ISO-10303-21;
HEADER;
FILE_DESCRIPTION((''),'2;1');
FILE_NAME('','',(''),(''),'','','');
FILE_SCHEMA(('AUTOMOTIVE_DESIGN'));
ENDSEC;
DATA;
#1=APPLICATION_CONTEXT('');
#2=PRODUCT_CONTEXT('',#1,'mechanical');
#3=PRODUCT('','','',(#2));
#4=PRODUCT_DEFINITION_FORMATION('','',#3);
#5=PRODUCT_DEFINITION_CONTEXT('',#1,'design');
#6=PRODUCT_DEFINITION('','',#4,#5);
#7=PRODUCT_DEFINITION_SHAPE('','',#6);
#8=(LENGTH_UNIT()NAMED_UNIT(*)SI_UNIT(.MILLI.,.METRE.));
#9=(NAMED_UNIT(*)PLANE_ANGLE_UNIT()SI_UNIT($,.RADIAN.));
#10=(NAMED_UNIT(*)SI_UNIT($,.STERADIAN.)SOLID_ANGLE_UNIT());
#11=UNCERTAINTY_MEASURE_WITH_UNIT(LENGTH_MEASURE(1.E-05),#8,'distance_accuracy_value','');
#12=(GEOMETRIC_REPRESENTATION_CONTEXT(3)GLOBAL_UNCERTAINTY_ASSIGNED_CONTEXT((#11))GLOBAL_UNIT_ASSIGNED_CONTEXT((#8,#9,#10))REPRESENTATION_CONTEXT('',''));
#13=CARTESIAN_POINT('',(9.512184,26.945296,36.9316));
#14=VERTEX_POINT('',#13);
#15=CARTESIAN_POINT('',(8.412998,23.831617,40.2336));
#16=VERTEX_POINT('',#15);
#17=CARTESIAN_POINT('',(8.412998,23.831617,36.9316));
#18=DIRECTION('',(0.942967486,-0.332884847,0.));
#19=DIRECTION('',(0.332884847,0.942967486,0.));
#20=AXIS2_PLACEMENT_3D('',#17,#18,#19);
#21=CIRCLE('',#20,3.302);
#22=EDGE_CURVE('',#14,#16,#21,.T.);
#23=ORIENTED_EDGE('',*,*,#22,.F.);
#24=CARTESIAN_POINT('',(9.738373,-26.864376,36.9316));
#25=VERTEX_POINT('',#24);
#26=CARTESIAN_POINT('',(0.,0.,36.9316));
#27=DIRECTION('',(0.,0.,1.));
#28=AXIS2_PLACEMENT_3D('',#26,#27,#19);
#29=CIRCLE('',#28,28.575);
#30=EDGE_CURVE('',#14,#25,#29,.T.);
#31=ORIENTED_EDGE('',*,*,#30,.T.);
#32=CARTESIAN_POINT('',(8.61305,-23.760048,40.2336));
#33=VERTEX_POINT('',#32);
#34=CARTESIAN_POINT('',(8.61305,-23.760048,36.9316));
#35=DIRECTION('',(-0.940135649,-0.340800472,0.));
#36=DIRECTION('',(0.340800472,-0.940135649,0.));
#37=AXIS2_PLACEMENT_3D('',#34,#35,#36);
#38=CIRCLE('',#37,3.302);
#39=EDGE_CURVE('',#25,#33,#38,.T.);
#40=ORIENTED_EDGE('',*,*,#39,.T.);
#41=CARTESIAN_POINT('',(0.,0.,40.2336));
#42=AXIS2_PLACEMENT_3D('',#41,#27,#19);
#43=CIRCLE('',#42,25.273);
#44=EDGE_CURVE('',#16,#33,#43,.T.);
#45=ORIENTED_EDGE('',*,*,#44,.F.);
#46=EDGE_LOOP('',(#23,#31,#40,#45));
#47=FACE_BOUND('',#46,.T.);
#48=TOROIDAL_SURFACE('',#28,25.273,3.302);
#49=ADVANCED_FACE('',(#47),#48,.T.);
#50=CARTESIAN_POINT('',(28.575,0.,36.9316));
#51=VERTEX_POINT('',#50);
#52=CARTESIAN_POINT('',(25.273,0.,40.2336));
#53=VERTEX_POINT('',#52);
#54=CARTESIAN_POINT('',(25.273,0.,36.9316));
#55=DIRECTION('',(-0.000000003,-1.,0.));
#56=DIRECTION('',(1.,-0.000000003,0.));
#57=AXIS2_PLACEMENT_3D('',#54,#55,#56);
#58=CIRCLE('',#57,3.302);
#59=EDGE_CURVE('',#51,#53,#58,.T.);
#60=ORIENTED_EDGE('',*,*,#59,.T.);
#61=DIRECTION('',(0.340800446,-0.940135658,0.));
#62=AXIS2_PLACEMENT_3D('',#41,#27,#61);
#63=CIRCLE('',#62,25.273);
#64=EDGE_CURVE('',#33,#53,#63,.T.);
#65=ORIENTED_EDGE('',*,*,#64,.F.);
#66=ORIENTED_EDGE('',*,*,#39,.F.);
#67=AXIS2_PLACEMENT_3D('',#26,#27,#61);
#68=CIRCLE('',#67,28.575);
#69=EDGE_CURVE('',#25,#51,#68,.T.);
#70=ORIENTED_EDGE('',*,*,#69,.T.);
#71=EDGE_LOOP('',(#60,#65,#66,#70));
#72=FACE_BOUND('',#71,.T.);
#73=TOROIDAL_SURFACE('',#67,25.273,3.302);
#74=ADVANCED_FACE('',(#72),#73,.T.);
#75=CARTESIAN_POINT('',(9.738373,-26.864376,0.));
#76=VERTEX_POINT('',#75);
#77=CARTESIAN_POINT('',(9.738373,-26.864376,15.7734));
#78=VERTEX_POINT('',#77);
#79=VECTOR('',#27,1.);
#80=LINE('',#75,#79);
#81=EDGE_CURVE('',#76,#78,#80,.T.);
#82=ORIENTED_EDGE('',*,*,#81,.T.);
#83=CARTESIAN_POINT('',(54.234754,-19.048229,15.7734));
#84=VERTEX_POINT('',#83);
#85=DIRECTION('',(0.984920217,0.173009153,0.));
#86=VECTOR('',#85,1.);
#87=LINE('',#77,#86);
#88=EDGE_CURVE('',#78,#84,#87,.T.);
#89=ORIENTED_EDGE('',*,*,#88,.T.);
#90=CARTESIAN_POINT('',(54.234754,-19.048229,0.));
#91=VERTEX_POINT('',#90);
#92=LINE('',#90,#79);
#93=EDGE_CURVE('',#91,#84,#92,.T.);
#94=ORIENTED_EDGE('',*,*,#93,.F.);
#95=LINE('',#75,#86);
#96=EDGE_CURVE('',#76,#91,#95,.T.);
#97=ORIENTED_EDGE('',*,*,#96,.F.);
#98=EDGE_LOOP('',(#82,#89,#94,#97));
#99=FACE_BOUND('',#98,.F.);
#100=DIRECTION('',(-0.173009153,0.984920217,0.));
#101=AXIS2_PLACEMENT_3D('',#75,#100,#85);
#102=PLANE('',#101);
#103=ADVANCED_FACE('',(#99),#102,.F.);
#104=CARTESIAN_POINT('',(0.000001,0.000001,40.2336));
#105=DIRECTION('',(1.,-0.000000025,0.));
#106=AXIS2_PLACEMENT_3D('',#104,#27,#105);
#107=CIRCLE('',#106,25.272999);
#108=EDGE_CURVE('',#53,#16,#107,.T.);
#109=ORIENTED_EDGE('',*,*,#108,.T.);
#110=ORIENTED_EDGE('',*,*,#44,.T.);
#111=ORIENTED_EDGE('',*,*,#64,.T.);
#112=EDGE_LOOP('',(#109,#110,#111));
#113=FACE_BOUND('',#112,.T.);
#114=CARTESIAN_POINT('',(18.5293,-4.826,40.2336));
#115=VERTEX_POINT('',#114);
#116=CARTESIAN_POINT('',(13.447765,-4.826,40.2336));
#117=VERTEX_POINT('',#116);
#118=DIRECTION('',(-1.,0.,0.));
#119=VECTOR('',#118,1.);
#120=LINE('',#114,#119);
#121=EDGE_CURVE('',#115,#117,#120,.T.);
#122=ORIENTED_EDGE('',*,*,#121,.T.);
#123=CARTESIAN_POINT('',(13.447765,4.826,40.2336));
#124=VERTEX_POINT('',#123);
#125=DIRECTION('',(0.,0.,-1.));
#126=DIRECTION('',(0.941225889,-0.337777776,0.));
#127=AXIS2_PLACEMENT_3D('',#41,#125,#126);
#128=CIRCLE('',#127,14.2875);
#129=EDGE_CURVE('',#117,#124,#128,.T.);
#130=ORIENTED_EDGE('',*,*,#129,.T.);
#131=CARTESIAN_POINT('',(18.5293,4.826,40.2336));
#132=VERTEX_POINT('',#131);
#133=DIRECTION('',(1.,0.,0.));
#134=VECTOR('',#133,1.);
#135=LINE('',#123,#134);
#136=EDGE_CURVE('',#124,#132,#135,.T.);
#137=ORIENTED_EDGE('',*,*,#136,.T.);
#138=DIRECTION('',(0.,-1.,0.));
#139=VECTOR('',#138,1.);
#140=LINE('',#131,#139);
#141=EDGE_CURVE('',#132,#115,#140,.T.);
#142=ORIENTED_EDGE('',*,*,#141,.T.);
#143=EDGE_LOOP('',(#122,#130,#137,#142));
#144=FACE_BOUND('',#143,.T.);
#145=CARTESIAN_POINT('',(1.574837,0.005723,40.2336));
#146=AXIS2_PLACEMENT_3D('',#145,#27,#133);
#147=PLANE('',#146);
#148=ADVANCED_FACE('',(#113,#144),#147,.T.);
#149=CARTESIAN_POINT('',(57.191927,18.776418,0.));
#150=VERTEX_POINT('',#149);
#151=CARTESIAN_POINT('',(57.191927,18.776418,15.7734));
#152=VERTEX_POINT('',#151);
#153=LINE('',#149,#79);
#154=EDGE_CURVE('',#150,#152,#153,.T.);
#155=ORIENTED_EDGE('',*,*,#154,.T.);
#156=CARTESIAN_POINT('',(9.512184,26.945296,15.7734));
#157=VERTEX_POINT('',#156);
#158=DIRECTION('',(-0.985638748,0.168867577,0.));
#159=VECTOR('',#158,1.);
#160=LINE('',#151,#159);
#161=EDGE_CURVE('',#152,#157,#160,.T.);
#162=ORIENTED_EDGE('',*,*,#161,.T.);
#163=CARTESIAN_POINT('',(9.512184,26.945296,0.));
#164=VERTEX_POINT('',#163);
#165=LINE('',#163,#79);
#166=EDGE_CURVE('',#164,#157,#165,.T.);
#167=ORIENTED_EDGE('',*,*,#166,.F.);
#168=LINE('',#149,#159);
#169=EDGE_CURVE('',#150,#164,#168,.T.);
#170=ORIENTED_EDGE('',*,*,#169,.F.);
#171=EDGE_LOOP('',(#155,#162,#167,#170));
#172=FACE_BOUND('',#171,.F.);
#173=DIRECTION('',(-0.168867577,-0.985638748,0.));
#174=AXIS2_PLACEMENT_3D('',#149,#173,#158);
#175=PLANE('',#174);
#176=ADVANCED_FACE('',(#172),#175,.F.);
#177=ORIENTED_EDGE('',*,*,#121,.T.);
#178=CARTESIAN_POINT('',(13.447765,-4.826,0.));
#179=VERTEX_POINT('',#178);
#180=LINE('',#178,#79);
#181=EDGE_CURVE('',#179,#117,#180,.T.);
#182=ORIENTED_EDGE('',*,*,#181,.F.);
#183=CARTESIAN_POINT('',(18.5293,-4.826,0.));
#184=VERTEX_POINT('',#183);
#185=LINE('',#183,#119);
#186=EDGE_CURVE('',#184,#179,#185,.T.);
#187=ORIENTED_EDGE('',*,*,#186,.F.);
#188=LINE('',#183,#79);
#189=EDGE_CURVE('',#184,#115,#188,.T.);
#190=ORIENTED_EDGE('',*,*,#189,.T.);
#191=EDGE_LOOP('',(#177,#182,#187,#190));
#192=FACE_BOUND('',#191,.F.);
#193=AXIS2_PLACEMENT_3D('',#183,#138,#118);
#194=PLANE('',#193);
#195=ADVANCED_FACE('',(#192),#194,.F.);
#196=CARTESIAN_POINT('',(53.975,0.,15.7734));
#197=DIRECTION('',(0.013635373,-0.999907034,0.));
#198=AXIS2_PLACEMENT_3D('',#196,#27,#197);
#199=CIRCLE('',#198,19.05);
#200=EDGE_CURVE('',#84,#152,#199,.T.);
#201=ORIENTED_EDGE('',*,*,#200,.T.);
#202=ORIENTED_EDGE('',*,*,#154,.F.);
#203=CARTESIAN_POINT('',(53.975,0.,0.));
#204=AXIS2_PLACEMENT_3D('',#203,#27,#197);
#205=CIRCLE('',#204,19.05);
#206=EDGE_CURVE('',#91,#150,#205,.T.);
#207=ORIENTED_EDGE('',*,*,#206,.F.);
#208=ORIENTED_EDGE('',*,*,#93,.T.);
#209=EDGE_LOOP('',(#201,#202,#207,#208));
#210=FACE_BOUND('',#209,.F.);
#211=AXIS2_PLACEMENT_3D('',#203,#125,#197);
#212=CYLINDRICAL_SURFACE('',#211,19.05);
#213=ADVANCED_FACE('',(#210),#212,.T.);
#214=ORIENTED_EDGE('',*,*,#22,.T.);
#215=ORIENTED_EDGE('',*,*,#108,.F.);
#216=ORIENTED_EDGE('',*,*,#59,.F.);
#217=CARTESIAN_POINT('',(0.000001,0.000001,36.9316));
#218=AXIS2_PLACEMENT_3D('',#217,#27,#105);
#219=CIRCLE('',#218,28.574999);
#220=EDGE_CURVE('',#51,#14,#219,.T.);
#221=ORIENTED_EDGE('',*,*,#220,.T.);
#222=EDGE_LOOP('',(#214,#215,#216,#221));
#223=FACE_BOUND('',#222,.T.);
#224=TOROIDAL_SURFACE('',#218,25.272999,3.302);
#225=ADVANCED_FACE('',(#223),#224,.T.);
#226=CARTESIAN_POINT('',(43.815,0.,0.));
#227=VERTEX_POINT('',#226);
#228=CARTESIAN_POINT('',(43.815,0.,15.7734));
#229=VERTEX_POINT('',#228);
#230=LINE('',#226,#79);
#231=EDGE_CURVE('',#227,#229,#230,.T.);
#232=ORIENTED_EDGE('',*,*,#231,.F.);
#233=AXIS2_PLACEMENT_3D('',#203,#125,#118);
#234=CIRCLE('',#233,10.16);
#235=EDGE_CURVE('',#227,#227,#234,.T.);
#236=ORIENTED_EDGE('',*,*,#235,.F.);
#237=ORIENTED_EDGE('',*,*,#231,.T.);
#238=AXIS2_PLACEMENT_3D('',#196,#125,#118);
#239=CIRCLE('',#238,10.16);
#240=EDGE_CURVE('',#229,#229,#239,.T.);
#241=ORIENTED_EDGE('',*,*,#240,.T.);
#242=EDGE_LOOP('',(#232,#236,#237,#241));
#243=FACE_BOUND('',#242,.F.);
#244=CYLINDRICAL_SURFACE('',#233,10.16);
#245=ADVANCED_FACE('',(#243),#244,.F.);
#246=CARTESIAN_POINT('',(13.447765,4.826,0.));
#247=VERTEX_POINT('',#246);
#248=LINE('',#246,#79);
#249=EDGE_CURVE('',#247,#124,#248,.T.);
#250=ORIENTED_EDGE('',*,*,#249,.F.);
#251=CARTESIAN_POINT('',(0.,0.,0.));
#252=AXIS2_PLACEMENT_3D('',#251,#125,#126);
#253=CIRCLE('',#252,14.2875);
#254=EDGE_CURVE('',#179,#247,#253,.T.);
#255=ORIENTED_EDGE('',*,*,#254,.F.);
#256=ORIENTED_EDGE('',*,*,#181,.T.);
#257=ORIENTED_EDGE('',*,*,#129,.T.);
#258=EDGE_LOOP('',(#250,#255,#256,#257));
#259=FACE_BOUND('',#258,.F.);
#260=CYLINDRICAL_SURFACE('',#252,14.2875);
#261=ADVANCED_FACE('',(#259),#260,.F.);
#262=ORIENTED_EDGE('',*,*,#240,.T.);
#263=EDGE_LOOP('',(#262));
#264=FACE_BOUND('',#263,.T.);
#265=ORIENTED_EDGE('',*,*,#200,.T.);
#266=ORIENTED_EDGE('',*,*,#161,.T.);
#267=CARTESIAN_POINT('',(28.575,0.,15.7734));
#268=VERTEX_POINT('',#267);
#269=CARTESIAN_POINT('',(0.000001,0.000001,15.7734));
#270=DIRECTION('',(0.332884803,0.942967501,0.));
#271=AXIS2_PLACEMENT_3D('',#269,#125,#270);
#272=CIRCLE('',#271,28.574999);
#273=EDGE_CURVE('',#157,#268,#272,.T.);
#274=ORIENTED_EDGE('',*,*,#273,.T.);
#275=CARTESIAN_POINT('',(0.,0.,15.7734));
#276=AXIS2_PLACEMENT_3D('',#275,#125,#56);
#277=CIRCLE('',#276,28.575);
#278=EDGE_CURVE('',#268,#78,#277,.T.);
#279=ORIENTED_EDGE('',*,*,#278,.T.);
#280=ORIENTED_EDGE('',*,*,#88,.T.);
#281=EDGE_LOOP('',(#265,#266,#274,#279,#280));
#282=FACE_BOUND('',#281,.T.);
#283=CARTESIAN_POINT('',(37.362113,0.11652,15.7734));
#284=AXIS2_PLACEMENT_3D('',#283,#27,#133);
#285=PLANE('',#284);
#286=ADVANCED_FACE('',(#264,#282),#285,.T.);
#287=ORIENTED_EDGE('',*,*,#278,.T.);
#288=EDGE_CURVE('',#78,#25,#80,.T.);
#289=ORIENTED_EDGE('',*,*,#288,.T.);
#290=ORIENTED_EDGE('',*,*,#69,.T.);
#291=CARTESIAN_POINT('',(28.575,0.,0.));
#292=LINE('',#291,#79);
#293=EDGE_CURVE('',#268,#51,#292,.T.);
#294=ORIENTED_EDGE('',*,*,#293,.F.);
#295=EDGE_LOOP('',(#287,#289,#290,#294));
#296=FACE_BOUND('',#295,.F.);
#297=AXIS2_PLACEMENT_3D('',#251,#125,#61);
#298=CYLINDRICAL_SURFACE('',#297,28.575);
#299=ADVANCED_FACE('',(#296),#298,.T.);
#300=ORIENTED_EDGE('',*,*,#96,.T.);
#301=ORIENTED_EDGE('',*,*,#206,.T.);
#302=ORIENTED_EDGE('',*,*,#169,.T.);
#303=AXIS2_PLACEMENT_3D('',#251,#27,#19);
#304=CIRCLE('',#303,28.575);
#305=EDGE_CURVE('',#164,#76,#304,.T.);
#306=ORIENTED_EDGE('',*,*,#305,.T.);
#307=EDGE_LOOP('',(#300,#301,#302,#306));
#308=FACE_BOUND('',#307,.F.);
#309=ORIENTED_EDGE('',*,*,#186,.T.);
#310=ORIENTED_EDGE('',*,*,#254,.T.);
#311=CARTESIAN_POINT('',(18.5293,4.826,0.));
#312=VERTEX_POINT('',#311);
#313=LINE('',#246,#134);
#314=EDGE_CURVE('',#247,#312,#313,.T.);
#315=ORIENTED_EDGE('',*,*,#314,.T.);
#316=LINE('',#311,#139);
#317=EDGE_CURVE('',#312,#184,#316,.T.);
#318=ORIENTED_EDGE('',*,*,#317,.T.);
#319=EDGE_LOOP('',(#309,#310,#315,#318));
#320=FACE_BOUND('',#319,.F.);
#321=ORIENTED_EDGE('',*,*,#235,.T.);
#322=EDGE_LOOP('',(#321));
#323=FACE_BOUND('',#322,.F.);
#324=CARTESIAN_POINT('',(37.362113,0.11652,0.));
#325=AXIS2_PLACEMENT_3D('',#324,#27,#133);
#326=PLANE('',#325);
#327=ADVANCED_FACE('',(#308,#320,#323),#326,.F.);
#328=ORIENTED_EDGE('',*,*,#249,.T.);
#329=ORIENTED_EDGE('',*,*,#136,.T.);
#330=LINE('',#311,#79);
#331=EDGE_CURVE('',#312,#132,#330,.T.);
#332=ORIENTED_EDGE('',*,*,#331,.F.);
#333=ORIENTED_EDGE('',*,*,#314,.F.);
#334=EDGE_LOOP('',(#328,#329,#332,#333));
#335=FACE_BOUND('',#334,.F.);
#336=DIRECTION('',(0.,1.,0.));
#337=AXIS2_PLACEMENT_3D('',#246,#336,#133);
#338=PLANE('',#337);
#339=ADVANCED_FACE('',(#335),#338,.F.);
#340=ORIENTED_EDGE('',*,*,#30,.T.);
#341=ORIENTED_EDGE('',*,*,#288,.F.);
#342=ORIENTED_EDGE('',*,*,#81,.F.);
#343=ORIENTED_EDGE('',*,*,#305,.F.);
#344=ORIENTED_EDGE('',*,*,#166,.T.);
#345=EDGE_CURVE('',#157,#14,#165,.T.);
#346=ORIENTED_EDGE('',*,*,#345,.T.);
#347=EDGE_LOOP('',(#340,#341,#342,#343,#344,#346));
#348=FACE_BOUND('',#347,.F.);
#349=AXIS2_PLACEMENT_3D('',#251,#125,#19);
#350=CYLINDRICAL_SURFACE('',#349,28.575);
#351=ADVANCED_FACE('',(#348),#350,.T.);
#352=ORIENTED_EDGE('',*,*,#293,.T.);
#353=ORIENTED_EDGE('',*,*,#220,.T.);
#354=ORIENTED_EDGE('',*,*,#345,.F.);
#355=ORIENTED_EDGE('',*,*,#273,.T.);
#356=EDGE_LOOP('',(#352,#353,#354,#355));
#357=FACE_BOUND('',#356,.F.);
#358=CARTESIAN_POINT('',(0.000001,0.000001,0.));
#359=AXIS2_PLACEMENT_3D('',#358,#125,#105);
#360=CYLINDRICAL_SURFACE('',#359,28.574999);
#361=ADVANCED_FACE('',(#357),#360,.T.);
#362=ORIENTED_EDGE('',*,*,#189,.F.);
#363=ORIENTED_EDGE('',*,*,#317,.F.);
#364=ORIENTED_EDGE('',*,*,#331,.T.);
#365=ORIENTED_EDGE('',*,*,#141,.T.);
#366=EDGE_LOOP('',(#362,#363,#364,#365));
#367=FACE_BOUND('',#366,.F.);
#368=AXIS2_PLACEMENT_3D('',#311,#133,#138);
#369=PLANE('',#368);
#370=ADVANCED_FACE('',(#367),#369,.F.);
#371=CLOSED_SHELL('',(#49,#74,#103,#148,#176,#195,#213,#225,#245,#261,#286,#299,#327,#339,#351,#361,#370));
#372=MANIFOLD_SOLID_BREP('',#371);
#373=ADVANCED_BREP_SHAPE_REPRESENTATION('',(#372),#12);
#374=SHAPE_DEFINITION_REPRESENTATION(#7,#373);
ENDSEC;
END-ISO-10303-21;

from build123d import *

# Parameters (mm, degrees)
F1_DEPTH = 40.2336
F2_DEPTH = 15.7734
F3_R     = 3.302


with BuildPart() as f1:
    # F0 (on Top) → F1 (new body)
    with BuildSketch(Plane.XY):
        with BuildLine():
            ThreePointArc((9.738373, -26.864376), (23.39663, -16.405131), (28.575, 0))
            ThreePointArc((28.575, 0), (23.327466, 16.503332), (9.512184, 26.945296))
            ThreePointArc((9.512184, 26.945296), (-28.574748, -0.120114), (9.738373, -26.864376))
        make_face()
        with BuildLine():
            Line((18.5293, 4.826), (18.5293, 0))
            Line((18.5293, 0), (18.5293, -4.826))
            Line((18.5293, -4.826), (13.447765, -4.826))
            ThreePointArc((13.447765, -4.826), (-14.2875, 0), (13.447765, 4.826))
            Line((13.447765, 4.826), (18.5293, 4.826))
        make_face(mode=Mode.SUBTRACT)
    extrude(amount=F1_DEPTH)

    # F0 (on Top) → F2 (join)
    with BuildSketch(Plane.XY):
        with BuildLine():
            ThreePointArc((9.512184, 26.945296), (23.327466, 16.503332), (28.575, 0))
            ThreePointArc((28.575, 0), (23.39663, -16.405131), (9.738373, -26.864376))
            Line((9.738373, -26.864376), (54.234754, -19.048229))
            ThreePointArc((54.234754, -19.048229), (72.967046, -1.48482), (57.191927, 18.776418))
            Line((57.191927, 18.776418), (9.512184, 26.945296))
        make_face()
        with BuildLine():
            ThreePointArc((64.135, 0), (53.975, -10.16), (43.815, 0))
            ThreePointArc((43.815, 0), (53.975, 10.16), (64.135, 0))
        make_face(mode=Mode.SUBTRACT)
    extrude(amount=F2_DEPTH)

    # F3
    f3_edges = [f1.edges().sort_by_distance(p)[0] for p in [
        (-9.738373, 26.864376, 40.2336),
    ]]
    fillet(f3_edges, radius=F3_R)


solid = f1.part
